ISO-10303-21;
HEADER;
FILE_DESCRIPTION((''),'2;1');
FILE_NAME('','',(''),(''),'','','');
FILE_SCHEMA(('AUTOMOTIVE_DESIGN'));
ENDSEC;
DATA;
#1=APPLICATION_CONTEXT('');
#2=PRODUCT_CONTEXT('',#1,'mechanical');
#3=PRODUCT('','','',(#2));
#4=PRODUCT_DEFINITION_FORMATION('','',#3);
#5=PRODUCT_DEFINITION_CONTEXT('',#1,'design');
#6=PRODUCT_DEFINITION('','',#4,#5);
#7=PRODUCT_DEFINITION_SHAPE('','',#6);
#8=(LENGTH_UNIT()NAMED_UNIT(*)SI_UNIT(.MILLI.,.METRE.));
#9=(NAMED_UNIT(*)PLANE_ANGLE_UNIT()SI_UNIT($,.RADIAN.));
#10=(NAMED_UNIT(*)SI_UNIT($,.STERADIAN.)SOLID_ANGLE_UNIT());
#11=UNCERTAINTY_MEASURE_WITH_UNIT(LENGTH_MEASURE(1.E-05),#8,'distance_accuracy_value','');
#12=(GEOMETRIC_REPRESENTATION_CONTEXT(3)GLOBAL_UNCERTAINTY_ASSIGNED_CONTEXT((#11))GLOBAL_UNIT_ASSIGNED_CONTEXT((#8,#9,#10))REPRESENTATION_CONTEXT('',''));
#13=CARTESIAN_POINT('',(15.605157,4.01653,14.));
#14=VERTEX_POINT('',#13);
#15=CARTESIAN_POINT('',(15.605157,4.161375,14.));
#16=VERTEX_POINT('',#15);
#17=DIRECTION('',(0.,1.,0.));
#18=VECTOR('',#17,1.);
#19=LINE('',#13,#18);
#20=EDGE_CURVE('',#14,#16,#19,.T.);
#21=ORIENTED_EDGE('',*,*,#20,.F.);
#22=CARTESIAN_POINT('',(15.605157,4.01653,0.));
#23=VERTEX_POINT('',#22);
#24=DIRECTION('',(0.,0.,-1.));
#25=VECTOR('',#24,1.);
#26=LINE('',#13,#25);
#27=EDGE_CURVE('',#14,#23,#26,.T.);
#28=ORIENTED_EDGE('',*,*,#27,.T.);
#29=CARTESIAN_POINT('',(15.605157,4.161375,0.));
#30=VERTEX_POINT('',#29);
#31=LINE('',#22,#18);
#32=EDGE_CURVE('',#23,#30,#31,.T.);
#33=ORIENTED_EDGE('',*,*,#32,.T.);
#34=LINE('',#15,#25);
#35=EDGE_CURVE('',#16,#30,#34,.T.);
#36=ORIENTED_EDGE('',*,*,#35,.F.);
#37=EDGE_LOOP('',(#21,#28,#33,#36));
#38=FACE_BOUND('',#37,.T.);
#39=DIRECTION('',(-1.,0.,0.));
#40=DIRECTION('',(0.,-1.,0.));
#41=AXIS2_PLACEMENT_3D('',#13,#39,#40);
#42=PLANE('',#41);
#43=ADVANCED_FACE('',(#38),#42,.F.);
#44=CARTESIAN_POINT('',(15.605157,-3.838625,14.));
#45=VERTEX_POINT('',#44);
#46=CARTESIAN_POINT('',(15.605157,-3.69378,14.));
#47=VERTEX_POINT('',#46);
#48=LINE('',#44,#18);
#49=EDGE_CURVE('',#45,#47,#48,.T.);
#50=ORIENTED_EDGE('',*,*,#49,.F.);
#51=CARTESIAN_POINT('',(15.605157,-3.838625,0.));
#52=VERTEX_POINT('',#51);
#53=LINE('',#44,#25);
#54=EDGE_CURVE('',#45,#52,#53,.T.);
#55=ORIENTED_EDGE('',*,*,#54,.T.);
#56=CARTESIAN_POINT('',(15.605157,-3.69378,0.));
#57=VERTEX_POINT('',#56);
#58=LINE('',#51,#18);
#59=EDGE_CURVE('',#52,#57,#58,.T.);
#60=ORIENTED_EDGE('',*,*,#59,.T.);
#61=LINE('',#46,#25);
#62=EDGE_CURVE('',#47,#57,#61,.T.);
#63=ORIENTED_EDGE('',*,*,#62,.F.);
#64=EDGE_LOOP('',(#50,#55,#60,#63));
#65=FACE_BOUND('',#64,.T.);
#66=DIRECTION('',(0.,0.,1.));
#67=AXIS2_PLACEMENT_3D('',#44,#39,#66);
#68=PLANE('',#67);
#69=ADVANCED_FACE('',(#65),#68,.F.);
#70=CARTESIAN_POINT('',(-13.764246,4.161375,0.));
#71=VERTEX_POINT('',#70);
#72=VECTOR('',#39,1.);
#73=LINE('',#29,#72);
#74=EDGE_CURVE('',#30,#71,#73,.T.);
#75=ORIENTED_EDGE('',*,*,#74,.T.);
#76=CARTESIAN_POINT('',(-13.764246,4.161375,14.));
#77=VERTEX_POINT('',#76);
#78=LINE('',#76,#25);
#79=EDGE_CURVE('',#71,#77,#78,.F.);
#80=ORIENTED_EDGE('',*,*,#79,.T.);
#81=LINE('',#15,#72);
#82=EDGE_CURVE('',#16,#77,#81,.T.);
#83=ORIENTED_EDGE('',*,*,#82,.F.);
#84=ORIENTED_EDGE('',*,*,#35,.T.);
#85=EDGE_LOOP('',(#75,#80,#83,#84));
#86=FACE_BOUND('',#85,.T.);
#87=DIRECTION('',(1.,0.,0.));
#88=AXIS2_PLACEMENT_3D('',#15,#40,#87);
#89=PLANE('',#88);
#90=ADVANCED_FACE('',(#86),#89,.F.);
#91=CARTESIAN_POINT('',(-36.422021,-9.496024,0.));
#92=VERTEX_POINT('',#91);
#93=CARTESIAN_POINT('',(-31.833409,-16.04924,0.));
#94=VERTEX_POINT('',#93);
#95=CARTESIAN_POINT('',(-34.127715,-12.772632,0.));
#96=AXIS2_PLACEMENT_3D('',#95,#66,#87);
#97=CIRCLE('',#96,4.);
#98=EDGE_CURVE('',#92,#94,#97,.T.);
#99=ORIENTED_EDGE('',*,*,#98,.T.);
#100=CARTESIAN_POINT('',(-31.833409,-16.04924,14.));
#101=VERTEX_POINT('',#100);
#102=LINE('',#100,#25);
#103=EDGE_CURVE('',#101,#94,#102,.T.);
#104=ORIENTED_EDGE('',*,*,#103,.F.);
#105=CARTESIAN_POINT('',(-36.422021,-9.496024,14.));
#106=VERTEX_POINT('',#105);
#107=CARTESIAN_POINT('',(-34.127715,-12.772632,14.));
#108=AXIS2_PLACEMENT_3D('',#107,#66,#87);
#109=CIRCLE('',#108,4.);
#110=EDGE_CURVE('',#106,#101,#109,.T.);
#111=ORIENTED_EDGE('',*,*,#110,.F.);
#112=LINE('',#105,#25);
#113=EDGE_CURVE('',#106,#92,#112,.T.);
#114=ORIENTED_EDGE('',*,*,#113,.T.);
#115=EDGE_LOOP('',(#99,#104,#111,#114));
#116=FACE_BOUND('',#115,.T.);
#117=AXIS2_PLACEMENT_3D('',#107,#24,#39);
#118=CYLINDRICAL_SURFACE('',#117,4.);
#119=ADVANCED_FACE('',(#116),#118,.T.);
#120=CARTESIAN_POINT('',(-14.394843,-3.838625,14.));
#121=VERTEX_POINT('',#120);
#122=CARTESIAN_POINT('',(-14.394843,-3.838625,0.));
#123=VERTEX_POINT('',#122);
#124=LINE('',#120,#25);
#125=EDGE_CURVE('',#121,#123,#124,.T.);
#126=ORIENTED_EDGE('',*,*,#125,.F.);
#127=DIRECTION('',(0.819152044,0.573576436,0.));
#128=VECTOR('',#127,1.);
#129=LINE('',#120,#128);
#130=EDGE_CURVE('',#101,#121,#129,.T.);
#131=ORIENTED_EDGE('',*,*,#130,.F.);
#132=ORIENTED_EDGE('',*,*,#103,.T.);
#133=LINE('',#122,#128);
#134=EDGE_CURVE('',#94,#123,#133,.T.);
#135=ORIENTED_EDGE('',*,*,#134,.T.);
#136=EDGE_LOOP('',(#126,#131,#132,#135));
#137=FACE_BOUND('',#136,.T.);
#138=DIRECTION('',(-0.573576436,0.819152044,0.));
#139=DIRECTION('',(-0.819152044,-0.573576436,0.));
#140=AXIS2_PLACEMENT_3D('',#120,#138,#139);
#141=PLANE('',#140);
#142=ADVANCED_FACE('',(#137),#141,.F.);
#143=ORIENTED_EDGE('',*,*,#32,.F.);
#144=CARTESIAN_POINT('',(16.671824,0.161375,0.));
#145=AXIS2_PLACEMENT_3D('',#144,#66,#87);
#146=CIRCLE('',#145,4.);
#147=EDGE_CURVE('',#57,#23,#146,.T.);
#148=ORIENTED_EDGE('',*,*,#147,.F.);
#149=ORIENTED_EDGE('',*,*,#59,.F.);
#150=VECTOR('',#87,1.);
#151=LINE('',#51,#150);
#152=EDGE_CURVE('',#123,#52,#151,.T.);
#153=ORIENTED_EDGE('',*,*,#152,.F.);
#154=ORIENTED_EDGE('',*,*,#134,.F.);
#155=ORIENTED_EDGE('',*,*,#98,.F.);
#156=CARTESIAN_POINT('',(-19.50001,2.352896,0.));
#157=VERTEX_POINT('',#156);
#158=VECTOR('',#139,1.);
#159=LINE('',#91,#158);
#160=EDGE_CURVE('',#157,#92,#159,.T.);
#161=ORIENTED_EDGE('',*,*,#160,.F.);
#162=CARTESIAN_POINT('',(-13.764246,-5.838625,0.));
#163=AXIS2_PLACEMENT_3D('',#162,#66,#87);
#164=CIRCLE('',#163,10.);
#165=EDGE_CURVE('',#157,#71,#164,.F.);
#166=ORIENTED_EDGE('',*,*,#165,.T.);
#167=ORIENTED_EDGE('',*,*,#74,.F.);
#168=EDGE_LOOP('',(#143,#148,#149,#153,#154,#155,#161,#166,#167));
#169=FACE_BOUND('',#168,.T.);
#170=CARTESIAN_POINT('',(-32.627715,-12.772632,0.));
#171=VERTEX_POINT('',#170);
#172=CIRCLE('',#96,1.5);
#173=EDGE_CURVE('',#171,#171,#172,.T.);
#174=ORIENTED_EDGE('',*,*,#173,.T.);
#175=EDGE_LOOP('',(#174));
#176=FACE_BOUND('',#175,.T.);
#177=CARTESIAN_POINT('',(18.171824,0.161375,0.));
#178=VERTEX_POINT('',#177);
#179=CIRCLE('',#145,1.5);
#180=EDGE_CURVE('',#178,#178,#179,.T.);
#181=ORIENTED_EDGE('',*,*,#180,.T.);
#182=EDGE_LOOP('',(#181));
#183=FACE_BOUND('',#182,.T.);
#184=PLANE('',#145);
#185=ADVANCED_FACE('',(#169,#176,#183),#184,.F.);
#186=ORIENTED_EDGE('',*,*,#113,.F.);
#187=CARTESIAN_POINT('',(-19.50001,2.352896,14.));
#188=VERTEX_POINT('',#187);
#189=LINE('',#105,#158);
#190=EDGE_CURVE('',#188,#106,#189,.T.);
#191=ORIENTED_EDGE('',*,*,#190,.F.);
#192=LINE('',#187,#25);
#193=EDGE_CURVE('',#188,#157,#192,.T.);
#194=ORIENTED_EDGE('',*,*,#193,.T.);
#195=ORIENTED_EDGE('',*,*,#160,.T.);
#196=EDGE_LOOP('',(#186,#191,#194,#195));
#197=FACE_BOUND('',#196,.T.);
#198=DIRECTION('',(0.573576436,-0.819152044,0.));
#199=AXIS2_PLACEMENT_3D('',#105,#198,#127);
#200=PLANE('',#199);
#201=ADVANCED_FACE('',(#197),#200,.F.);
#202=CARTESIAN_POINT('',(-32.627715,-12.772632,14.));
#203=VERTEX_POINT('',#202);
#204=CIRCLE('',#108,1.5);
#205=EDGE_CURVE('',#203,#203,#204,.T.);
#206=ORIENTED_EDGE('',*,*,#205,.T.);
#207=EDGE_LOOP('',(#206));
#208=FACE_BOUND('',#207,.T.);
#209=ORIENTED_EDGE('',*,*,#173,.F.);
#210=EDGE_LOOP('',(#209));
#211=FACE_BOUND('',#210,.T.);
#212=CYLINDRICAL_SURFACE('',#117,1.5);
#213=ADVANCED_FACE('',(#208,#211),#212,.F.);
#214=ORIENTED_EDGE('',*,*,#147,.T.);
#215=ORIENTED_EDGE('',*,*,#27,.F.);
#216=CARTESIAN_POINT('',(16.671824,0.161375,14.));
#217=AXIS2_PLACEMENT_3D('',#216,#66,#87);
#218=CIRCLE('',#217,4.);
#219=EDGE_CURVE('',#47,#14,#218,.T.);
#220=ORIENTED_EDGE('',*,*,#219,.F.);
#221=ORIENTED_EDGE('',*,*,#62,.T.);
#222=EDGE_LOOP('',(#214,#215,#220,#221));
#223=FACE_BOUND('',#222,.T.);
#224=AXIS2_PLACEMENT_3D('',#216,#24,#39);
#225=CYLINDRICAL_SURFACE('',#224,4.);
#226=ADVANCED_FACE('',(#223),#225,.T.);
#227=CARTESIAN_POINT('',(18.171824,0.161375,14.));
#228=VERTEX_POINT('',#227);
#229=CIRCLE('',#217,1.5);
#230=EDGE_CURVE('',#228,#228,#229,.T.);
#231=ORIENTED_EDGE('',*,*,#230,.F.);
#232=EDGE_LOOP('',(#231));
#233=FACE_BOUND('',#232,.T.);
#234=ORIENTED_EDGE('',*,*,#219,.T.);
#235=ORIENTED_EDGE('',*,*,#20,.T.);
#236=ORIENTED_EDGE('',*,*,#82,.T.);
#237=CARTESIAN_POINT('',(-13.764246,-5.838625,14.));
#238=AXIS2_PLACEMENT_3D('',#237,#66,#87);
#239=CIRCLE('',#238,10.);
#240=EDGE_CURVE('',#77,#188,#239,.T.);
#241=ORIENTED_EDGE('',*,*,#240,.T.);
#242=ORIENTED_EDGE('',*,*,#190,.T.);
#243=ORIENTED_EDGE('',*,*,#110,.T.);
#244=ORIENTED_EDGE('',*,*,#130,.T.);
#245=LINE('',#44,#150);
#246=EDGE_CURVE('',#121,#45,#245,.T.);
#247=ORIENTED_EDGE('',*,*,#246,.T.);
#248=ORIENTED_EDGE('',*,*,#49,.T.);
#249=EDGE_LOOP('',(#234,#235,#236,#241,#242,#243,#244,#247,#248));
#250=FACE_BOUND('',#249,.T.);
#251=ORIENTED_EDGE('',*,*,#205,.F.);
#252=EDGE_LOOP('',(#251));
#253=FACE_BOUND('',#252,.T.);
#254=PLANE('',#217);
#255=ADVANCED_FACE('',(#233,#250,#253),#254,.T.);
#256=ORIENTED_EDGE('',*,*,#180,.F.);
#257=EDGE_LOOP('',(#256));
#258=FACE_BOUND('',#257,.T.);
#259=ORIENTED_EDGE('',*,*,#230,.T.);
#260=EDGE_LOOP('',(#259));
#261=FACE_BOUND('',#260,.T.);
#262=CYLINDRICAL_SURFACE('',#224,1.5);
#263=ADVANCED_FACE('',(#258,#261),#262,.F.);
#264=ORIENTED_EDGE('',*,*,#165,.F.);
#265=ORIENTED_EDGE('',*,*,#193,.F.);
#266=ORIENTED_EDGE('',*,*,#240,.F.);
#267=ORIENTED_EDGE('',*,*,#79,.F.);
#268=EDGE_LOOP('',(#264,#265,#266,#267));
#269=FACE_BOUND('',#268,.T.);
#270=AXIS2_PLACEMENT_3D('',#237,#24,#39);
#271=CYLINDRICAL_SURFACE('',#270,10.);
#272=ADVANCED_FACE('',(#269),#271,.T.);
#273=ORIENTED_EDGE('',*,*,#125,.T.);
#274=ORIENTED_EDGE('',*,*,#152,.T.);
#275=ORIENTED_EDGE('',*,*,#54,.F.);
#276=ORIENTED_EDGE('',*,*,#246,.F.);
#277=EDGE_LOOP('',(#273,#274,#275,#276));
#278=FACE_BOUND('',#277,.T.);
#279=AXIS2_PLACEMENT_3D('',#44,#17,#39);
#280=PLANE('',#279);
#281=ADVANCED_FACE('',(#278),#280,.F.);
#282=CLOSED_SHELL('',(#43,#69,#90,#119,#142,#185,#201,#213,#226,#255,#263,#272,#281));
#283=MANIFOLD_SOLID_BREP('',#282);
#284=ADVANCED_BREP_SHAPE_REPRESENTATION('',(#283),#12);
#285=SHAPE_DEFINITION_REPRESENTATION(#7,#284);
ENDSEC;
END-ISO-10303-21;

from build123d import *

# Parameters (mm, degrees)
SKETCH_1_R      = 1.5
EXTRUDE_2_DEPTH = 14
FILLET_1_R      = 10


with BuildPart() as part:
    # 草图1 → 凸台-拉伸2 (new body)
    with BuildSketch(Plane.XY):
        with BuildLine():
            Line((15.60515688, 4.016530447), (15.60515688, 4.161375168))
            Line((15.60515688, 4.161375168), (-16.917233431, 4.161375168))
            Line((-16.917233431, 4.161375168), (-36.422020871, -9.496024029))
            ThreePointArc((-36.422020871, -9.496024029), (-37.404323302, -15.066937951), (-31.83340938, -16.049240383))
            Line((-31.83340938, -16.049240383), (-14.39484312, -3.838624832))
            Line((-14.39484312, -3.838624832), (15.60515688, -3.838624832))
            Line((15.60515688, -3.838624832), (15.60515688, -3.693780111))
            ThreePointArc((15.60515688, -3.693780111), (20.671823547, 0.161375168), (15.60515688, 4.016530447))
        make_face()
        with Locations((-34.127715125, -12.772632206)):
            Circle(SKETCH_1_R, mode=Mode.SUBTRACT)
        with Locations((16.671823547, 0.161375168)):
            Circle(SKETCH_1_R, mode=Mode.SUBTRACT)
    extrude(amount=EXTRUDE_2_DEPTH)

    # 圆角1
    fillet_1_edges = [part.edges().sort_by_distance(p)[0] for p in [
        (-16.917233431, 4.161375168, 7),
    ]]
    fillet(fillet_1_edges, radius=FILLET_1_R)


solid = part.part
